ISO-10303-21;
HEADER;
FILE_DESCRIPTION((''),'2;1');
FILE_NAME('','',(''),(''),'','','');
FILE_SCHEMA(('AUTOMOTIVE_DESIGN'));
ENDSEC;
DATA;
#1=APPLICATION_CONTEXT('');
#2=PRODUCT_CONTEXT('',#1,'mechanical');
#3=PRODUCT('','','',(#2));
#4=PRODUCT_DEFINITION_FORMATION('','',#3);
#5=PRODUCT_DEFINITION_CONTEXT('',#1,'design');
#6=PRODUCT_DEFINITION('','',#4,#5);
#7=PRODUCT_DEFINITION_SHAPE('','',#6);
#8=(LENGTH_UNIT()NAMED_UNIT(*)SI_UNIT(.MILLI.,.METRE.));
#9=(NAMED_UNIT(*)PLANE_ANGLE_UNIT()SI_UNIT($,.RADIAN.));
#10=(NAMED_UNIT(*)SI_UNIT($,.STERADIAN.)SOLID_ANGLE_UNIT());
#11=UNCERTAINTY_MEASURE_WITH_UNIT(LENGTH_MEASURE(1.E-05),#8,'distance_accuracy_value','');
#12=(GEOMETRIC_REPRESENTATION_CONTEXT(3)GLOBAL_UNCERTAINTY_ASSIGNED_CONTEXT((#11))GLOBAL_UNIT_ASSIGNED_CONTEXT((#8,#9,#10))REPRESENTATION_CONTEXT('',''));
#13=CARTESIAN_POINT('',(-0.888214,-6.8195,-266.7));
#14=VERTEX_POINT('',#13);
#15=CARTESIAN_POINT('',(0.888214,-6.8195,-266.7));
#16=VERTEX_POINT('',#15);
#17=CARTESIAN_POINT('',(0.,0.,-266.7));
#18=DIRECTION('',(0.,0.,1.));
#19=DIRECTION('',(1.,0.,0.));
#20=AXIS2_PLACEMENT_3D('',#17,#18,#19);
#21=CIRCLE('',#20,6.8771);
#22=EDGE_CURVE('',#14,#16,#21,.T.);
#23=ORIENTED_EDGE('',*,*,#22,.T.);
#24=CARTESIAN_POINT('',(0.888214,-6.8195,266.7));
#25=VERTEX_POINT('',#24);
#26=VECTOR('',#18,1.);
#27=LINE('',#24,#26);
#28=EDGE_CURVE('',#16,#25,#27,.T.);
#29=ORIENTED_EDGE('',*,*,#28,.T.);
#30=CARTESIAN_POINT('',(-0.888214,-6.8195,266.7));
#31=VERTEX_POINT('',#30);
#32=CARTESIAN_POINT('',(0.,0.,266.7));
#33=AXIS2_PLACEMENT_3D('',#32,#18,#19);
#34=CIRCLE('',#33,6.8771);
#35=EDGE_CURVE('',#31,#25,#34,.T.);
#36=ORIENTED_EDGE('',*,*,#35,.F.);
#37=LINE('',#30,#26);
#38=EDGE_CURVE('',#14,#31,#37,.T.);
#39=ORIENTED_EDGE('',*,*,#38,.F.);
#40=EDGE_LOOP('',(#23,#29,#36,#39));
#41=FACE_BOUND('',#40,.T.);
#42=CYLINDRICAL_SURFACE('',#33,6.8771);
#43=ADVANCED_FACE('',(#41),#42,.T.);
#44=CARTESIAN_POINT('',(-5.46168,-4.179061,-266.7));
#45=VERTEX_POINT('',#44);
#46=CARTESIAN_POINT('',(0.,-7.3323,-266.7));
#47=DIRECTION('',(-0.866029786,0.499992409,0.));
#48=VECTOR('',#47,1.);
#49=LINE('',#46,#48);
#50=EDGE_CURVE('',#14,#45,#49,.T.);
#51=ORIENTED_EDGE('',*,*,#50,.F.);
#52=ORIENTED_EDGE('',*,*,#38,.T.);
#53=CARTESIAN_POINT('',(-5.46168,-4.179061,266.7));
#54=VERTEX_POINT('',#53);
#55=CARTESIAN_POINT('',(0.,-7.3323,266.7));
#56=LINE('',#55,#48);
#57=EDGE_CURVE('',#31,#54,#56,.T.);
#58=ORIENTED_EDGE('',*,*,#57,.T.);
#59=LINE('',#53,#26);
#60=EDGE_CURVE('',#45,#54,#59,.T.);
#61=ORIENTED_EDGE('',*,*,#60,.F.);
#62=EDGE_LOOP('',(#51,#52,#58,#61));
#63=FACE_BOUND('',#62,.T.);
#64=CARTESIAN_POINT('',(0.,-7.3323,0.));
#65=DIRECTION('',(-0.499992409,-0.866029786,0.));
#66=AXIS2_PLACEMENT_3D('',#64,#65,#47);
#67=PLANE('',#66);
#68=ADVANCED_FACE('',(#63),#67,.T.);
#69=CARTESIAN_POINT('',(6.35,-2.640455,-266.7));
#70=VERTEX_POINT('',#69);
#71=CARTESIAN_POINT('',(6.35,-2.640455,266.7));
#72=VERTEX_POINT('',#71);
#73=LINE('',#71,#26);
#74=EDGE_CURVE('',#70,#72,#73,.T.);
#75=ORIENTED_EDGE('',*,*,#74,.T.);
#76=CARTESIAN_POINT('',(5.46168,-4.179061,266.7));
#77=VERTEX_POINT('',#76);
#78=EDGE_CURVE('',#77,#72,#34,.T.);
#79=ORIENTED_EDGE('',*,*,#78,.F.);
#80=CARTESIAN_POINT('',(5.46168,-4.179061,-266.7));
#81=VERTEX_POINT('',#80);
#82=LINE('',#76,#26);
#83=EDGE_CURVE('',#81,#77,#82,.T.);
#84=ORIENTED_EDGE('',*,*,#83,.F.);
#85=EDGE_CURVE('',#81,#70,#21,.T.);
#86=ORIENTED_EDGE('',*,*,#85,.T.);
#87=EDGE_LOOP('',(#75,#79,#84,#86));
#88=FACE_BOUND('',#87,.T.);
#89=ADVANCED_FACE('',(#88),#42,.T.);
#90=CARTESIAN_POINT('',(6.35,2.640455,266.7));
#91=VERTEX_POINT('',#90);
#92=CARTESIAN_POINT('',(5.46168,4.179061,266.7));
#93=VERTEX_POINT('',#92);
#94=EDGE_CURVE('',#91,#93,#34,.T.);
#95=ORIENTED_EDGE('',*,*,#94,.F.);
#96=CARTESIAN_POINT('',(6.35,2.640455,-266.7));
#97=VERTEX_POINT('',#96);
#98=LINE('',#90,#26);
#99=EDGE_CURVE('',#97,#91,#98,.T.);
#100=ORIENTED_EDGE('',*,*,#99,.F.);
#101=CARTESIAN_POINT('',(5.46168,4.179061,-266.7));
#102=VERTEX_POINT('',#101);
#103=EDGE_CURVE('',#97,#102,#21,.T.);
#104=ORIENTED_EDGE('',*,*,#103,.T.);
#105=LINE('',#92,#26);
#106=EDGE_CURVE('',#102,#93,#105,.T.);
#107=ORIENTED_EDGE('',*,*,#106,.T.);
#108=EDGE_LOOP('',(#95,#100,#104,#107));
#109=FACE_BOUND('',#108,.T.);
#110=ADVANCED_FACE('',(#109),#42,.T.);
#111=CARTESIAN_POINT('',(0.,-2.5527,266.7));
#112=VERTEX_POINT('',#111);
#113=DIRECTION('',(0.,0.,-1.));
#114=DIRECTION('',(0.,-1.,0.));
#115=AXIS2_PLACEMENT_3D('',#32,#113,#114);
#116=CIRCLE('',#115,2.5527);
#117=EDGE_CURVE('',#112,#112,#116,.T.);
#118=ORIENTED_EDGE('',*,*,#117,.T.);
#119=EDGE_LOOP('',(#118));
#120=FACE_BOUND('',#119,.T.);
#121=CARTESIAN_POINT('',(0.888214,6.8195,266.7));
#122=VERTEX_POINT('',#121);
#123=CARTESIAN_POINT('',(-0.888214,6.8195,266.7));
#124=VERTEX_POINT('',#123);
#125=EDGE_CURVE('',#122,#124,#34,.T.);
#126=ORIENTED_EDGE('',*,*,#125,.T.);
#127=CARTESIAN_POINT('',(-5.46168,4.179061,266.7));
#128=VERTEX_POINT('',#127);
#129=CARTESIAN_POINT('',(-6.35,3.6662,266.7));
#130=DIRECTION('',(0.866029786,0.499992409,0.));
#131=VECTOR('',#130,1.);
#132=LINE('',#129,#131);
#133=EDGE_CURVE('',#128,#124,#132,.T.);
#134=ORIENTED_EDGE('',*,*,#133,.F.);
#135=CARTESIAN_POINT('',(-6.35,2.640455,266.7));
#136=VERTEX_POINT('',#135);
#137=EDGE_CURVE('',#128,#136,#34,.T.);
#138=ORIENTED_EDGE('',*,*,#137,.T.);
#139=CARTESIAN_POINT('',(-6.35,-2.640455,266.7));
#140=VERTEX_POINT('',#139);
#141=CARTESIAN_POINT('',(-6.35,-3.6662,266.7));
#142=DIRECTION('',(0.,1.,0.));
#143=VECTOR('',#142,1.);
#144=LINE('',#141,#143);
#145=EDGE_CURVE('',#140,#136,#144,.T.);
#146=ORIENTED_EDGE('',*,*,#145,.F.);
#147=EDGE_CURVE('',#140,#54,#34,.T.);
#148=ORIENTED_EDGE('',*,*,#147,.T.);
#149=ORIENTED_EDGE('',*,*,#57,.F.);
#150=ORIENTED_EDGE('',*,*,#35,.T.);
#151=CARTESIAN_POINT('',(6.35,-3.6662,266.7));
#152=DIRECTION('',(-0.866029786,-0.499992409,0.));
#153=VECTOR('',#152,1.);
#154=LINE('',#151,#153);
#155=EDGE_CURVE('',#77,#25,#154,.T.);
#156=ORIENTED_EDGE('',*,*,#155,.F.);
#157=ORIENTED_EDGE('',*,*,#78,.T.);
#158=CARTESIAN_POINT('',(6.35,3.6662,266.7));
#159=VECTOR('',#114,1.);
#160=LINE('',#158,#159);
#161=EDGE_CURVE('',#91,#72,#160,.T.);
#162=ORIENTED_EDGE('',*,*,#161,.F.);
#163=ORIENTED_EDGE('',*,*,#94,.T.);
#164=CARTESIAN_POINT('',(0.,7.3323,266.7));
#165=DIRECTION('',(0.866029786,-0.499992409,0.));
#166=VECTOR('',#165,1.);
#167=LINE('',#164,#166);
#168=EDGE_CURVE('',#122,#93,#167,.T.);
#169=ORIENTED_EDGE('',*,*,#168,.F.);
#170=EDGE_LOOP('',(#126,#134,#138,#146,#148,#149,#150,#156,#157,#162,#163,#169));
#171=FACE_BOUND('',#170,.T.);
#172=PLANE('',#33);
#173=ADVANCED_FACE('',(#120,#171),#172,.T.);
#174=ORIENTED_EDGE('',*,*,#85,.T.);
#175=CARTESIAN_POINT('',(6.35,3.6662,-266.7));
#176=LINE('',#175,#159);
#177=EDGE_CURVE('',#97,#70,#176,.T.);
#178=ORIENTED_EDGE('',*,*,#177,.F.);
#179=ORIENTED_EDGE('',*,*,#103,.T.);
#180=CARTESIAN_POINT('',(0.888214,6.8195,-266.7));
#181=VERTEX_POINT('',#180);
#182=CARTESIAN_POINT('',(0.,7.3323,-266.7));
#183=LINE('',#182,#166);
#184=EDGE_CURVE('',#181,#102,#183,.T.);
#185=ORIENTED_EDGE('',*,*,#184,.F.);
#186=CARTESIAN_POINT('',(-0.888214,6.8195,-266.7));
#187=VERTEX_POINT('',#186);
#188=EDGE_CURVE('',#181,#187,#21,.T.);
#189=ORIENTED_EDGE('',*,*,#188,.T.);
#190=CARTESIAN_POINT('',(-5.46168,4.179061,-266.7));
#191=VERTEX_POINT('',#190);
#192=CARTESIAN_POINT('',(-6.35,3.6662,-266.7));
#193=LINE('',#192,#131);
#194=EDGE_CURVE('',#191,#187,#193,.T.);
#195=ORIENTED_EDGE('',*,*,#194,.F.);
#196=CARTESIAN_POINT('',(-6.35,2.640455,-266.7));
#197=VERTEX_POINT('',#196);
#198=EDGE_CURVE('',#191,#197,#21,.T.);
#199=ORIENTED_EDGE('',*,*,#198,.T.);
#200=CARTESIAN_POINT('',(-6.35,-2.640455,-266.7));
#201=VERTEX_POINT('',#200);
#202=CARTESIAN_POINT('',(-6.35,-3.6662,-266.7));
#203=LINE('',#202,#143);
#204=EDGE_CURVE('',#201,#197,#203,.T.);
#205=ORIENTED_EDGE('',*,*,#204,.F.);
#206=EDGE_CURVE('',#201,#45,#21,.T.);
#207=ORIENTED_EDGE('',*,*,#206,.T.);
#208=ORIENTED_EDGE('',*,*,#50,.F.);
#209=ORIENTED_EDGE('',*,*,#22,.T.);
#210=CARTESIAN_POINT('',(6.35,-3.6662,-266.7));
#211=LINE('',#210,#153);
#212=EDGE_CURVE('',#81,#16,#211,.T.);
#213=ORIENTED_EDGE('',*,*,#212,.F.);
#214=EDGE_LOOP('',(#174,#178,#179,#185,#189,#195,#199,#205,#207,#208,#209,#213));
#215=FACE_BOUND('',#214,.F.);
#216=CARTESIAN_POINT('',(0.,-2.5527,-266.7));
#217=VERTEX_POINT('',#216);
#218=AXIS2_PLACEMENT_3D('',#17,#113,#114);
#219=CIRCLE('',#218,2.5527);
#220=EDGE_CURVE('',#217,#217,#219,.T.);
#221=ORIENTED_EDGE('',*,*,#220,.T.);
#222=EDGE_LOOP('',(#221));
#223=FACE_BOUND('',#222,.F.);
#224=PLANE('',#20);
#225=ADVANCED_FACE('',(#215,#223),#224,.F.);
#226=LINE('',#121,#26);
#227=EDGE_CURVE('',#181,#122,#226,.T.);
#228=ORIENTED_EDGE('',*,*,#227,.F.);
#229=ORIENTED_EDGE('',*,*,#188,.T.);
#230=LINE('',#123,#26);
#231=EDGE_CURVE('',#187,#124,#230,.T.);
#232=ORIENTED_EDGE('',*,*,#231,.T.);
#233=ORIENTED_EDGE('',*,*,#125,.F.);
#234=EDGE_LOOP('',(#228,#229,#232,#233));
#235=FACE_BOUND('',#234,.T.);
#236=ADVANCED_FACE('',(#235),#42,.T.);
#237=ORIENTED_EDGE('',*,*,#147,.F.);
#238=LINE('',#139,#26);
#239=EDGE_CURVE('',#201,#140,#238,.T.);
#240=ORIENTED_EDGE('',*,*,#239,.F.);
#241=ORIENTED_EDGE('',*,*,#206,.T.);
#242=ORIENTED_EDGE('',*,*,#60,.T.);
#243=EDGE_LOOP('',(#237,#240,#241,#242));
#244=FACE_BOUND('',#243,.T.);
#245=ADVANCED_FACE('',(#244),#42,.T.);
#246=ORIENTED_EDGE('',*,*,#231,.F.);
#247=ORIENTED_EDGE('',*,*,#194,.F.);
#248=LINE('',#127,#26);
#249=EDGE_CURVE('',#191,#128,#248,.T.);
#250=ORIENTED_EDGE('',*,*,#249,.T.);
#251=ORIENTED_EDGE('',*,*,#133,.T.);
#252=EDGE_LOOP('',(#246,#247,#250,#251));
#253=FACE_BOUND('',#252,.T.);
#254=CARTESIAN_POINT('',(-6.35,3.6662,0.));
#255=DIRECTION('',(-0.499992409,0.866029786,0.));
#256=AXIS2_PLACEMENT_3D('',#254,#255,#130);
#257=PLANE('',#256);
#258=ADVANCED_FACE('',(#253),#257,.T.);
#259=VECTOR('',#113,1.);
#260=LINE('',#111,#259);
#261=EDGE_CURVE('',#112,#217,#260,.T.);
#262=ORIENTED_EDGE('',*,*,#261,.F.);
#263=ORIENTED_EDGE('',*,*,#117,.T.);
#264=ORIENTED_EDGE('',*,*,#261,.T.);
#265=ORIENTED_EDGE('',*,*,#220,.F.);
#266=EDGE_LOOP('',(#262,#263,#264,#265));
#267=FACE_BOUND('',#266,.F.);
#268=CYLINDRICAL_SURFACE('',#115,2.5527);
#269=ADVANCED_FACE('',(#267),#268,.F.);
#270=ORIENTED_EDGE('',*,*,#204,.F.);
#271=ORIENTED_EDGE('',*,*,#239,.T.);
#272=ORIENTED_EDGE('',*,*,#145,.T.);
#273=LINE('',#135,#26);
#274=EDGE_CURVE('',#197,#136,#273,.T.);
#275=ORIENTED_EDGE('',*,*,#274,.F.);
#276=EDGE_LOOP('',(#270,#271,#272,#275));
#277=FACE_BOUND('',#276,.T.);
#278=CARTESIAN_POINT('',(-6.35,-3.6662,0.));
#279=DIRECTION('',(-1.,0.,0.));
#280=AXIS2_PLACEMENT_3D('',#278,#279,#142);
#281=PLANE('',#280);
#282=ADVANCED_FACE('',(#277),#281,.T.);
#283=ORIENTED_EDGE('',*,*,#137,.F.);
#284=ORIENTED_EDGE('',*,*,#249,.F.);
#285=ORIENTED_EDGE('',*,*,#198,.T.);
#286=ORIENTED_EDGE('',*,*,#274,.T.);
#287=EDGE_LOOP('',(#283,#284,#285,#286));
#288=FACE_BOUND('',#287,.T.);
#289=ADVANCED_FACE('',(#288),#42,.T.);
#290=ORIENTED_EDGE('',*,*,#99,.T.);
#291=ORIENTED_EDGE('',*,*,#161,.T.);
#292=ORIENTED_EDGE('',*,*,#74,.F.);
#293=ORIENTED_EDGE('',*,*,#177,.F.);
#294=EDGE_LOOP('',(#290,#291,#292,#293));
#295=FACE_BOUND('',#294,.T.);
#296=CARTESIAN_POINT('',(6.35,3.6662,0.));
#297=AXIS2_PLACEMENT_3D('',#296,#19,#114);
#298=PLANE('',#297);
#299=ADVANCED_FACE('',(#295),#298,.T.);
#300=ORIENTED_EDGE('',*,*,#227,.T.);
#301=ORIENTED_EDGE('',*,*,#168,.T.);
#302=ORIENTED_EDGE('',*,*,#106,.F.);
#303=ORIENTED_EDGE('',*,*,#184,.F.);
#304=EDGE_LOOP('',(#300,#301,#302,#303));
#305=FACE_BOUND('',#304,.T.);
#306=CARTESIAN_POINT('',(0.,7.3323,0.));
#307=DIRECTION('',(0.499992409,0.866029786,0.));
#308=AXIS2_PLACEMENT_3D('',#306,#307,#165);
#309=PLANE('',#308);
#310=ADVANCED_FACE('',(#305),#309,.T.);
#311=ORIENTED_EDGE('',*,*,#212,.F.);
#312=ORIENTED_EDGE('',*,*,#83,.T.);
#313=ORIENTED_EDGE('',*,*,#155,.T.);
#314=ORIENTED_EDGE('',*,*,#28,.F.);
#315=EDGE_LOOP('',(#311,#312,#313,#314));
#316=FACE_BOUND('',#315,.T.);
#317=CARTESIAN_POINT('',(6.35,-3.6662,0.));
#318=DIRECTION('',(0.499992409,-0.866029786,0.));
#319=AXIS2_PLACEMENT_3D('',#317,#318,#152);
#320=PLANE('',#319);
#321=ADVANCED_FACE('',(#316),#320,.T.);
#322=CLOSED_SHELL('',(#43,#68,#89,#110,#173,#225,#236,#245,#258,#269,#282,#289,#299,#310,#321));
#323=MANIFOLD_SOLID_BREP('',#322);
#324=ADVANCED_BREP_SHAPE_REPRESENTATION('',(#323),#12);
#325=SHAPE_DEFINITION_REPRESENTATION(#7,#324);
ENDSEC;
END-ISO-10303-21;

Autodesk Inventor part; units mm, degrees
ref_plane "YZ Plane" through (0, 0, 0) normal (1, 0, 0) x (0, 1, 0)
ref_plane "XZ Plane" through (0, 0, 0) normal (0, 1, 0) x (-1, 0, 0)
ref_plane "XY Plane" through (0, 0, 0) normal (0, 0, 1) x (1, 0, 0)
sketch "Sketch1" plane through (0, 0, 0) normal (0, 0, 1) x (1, 0, 0)
  line L0 (-6.35, -3.6662) -> (-6.35, 3.6662)
  line L1 (-6.35, 3.6662) -> (0, 7.3323)
  line L2 (0, 7.3323) -> (6.35, 3.6662)
  line L3 (6.35, 3.6662) -> (6.35, -3.6662)
  line L4 (6.35, -3.6662) -> (0, -7.3323)
  line L5 (0, -7.3323) -> (-6.35, -3.6662)
  point P0 (0, 0)
  point P1 (0, 0)
  dimension "Size" = 12.7
extrude "Extrusion1" add sketch "Sketch1" along normal mid plane 533.4
sketch "Sketch3" plane through (0, 0, 266.7) normal (0, 0, 1) x (1, 0, 0)
  line L0 (-6.35, 3.6662) -> (0, 7.3323) construction
  line L1 (0, 7.3323) -> (6.35, 3.6662) construction
  line L2 (6.35, 3.6662) -> (6.35, -3.6662) construction
  line L3 (6.35, -3.6662) -> (0, -7.3323) construction
  line L4 (0, -7.3323) -> (-6.35, -3.6662) construction
  line L5 (-6.35, -3.6662) -> (-6.35, 3.6662) construction
  point P0 (0, 0)
hole "Hole1" at (0, 0, 266.7) direction (0, 0, -1) diameter 5.1054 end through all
sketch "Sketch4" plane through (0, 0, 266.7) normal (0, 0, 1) x (1, 0, 0)
  circle A0 centre (0, 0) radius 2.5527 construction
  line L0 (-6.35, 3.6662) -> (0, 7.3323) construction
  line L1 (0, 7.3323) -> (6.35, 3.6662) construction
  line L2 (6.35, 3.6662) -> (6.35, -3.6662) construction
  line L3 (6.35, -3.6662) -> (0, -7.3323) construction
  line L4 (0, -7.3323) -> (-6.35, -3.6662) construction
  line L5 (-6.35, -3.6662) -> (-6.35, 3.6662) construction
  circle A1 centre (0, 0) radius 6.8771
  circle A2 centre (0, 0) radius 8.89
  dimension "thunder" = 13.7541
  dimension "d16" = 17.78
extrude "Extrusion3" cut sketch "Sketch4" against normal through all
equation "\"bearing\" = 25.4"
properties part number "GI - 002" material "Aluminum 6061"
